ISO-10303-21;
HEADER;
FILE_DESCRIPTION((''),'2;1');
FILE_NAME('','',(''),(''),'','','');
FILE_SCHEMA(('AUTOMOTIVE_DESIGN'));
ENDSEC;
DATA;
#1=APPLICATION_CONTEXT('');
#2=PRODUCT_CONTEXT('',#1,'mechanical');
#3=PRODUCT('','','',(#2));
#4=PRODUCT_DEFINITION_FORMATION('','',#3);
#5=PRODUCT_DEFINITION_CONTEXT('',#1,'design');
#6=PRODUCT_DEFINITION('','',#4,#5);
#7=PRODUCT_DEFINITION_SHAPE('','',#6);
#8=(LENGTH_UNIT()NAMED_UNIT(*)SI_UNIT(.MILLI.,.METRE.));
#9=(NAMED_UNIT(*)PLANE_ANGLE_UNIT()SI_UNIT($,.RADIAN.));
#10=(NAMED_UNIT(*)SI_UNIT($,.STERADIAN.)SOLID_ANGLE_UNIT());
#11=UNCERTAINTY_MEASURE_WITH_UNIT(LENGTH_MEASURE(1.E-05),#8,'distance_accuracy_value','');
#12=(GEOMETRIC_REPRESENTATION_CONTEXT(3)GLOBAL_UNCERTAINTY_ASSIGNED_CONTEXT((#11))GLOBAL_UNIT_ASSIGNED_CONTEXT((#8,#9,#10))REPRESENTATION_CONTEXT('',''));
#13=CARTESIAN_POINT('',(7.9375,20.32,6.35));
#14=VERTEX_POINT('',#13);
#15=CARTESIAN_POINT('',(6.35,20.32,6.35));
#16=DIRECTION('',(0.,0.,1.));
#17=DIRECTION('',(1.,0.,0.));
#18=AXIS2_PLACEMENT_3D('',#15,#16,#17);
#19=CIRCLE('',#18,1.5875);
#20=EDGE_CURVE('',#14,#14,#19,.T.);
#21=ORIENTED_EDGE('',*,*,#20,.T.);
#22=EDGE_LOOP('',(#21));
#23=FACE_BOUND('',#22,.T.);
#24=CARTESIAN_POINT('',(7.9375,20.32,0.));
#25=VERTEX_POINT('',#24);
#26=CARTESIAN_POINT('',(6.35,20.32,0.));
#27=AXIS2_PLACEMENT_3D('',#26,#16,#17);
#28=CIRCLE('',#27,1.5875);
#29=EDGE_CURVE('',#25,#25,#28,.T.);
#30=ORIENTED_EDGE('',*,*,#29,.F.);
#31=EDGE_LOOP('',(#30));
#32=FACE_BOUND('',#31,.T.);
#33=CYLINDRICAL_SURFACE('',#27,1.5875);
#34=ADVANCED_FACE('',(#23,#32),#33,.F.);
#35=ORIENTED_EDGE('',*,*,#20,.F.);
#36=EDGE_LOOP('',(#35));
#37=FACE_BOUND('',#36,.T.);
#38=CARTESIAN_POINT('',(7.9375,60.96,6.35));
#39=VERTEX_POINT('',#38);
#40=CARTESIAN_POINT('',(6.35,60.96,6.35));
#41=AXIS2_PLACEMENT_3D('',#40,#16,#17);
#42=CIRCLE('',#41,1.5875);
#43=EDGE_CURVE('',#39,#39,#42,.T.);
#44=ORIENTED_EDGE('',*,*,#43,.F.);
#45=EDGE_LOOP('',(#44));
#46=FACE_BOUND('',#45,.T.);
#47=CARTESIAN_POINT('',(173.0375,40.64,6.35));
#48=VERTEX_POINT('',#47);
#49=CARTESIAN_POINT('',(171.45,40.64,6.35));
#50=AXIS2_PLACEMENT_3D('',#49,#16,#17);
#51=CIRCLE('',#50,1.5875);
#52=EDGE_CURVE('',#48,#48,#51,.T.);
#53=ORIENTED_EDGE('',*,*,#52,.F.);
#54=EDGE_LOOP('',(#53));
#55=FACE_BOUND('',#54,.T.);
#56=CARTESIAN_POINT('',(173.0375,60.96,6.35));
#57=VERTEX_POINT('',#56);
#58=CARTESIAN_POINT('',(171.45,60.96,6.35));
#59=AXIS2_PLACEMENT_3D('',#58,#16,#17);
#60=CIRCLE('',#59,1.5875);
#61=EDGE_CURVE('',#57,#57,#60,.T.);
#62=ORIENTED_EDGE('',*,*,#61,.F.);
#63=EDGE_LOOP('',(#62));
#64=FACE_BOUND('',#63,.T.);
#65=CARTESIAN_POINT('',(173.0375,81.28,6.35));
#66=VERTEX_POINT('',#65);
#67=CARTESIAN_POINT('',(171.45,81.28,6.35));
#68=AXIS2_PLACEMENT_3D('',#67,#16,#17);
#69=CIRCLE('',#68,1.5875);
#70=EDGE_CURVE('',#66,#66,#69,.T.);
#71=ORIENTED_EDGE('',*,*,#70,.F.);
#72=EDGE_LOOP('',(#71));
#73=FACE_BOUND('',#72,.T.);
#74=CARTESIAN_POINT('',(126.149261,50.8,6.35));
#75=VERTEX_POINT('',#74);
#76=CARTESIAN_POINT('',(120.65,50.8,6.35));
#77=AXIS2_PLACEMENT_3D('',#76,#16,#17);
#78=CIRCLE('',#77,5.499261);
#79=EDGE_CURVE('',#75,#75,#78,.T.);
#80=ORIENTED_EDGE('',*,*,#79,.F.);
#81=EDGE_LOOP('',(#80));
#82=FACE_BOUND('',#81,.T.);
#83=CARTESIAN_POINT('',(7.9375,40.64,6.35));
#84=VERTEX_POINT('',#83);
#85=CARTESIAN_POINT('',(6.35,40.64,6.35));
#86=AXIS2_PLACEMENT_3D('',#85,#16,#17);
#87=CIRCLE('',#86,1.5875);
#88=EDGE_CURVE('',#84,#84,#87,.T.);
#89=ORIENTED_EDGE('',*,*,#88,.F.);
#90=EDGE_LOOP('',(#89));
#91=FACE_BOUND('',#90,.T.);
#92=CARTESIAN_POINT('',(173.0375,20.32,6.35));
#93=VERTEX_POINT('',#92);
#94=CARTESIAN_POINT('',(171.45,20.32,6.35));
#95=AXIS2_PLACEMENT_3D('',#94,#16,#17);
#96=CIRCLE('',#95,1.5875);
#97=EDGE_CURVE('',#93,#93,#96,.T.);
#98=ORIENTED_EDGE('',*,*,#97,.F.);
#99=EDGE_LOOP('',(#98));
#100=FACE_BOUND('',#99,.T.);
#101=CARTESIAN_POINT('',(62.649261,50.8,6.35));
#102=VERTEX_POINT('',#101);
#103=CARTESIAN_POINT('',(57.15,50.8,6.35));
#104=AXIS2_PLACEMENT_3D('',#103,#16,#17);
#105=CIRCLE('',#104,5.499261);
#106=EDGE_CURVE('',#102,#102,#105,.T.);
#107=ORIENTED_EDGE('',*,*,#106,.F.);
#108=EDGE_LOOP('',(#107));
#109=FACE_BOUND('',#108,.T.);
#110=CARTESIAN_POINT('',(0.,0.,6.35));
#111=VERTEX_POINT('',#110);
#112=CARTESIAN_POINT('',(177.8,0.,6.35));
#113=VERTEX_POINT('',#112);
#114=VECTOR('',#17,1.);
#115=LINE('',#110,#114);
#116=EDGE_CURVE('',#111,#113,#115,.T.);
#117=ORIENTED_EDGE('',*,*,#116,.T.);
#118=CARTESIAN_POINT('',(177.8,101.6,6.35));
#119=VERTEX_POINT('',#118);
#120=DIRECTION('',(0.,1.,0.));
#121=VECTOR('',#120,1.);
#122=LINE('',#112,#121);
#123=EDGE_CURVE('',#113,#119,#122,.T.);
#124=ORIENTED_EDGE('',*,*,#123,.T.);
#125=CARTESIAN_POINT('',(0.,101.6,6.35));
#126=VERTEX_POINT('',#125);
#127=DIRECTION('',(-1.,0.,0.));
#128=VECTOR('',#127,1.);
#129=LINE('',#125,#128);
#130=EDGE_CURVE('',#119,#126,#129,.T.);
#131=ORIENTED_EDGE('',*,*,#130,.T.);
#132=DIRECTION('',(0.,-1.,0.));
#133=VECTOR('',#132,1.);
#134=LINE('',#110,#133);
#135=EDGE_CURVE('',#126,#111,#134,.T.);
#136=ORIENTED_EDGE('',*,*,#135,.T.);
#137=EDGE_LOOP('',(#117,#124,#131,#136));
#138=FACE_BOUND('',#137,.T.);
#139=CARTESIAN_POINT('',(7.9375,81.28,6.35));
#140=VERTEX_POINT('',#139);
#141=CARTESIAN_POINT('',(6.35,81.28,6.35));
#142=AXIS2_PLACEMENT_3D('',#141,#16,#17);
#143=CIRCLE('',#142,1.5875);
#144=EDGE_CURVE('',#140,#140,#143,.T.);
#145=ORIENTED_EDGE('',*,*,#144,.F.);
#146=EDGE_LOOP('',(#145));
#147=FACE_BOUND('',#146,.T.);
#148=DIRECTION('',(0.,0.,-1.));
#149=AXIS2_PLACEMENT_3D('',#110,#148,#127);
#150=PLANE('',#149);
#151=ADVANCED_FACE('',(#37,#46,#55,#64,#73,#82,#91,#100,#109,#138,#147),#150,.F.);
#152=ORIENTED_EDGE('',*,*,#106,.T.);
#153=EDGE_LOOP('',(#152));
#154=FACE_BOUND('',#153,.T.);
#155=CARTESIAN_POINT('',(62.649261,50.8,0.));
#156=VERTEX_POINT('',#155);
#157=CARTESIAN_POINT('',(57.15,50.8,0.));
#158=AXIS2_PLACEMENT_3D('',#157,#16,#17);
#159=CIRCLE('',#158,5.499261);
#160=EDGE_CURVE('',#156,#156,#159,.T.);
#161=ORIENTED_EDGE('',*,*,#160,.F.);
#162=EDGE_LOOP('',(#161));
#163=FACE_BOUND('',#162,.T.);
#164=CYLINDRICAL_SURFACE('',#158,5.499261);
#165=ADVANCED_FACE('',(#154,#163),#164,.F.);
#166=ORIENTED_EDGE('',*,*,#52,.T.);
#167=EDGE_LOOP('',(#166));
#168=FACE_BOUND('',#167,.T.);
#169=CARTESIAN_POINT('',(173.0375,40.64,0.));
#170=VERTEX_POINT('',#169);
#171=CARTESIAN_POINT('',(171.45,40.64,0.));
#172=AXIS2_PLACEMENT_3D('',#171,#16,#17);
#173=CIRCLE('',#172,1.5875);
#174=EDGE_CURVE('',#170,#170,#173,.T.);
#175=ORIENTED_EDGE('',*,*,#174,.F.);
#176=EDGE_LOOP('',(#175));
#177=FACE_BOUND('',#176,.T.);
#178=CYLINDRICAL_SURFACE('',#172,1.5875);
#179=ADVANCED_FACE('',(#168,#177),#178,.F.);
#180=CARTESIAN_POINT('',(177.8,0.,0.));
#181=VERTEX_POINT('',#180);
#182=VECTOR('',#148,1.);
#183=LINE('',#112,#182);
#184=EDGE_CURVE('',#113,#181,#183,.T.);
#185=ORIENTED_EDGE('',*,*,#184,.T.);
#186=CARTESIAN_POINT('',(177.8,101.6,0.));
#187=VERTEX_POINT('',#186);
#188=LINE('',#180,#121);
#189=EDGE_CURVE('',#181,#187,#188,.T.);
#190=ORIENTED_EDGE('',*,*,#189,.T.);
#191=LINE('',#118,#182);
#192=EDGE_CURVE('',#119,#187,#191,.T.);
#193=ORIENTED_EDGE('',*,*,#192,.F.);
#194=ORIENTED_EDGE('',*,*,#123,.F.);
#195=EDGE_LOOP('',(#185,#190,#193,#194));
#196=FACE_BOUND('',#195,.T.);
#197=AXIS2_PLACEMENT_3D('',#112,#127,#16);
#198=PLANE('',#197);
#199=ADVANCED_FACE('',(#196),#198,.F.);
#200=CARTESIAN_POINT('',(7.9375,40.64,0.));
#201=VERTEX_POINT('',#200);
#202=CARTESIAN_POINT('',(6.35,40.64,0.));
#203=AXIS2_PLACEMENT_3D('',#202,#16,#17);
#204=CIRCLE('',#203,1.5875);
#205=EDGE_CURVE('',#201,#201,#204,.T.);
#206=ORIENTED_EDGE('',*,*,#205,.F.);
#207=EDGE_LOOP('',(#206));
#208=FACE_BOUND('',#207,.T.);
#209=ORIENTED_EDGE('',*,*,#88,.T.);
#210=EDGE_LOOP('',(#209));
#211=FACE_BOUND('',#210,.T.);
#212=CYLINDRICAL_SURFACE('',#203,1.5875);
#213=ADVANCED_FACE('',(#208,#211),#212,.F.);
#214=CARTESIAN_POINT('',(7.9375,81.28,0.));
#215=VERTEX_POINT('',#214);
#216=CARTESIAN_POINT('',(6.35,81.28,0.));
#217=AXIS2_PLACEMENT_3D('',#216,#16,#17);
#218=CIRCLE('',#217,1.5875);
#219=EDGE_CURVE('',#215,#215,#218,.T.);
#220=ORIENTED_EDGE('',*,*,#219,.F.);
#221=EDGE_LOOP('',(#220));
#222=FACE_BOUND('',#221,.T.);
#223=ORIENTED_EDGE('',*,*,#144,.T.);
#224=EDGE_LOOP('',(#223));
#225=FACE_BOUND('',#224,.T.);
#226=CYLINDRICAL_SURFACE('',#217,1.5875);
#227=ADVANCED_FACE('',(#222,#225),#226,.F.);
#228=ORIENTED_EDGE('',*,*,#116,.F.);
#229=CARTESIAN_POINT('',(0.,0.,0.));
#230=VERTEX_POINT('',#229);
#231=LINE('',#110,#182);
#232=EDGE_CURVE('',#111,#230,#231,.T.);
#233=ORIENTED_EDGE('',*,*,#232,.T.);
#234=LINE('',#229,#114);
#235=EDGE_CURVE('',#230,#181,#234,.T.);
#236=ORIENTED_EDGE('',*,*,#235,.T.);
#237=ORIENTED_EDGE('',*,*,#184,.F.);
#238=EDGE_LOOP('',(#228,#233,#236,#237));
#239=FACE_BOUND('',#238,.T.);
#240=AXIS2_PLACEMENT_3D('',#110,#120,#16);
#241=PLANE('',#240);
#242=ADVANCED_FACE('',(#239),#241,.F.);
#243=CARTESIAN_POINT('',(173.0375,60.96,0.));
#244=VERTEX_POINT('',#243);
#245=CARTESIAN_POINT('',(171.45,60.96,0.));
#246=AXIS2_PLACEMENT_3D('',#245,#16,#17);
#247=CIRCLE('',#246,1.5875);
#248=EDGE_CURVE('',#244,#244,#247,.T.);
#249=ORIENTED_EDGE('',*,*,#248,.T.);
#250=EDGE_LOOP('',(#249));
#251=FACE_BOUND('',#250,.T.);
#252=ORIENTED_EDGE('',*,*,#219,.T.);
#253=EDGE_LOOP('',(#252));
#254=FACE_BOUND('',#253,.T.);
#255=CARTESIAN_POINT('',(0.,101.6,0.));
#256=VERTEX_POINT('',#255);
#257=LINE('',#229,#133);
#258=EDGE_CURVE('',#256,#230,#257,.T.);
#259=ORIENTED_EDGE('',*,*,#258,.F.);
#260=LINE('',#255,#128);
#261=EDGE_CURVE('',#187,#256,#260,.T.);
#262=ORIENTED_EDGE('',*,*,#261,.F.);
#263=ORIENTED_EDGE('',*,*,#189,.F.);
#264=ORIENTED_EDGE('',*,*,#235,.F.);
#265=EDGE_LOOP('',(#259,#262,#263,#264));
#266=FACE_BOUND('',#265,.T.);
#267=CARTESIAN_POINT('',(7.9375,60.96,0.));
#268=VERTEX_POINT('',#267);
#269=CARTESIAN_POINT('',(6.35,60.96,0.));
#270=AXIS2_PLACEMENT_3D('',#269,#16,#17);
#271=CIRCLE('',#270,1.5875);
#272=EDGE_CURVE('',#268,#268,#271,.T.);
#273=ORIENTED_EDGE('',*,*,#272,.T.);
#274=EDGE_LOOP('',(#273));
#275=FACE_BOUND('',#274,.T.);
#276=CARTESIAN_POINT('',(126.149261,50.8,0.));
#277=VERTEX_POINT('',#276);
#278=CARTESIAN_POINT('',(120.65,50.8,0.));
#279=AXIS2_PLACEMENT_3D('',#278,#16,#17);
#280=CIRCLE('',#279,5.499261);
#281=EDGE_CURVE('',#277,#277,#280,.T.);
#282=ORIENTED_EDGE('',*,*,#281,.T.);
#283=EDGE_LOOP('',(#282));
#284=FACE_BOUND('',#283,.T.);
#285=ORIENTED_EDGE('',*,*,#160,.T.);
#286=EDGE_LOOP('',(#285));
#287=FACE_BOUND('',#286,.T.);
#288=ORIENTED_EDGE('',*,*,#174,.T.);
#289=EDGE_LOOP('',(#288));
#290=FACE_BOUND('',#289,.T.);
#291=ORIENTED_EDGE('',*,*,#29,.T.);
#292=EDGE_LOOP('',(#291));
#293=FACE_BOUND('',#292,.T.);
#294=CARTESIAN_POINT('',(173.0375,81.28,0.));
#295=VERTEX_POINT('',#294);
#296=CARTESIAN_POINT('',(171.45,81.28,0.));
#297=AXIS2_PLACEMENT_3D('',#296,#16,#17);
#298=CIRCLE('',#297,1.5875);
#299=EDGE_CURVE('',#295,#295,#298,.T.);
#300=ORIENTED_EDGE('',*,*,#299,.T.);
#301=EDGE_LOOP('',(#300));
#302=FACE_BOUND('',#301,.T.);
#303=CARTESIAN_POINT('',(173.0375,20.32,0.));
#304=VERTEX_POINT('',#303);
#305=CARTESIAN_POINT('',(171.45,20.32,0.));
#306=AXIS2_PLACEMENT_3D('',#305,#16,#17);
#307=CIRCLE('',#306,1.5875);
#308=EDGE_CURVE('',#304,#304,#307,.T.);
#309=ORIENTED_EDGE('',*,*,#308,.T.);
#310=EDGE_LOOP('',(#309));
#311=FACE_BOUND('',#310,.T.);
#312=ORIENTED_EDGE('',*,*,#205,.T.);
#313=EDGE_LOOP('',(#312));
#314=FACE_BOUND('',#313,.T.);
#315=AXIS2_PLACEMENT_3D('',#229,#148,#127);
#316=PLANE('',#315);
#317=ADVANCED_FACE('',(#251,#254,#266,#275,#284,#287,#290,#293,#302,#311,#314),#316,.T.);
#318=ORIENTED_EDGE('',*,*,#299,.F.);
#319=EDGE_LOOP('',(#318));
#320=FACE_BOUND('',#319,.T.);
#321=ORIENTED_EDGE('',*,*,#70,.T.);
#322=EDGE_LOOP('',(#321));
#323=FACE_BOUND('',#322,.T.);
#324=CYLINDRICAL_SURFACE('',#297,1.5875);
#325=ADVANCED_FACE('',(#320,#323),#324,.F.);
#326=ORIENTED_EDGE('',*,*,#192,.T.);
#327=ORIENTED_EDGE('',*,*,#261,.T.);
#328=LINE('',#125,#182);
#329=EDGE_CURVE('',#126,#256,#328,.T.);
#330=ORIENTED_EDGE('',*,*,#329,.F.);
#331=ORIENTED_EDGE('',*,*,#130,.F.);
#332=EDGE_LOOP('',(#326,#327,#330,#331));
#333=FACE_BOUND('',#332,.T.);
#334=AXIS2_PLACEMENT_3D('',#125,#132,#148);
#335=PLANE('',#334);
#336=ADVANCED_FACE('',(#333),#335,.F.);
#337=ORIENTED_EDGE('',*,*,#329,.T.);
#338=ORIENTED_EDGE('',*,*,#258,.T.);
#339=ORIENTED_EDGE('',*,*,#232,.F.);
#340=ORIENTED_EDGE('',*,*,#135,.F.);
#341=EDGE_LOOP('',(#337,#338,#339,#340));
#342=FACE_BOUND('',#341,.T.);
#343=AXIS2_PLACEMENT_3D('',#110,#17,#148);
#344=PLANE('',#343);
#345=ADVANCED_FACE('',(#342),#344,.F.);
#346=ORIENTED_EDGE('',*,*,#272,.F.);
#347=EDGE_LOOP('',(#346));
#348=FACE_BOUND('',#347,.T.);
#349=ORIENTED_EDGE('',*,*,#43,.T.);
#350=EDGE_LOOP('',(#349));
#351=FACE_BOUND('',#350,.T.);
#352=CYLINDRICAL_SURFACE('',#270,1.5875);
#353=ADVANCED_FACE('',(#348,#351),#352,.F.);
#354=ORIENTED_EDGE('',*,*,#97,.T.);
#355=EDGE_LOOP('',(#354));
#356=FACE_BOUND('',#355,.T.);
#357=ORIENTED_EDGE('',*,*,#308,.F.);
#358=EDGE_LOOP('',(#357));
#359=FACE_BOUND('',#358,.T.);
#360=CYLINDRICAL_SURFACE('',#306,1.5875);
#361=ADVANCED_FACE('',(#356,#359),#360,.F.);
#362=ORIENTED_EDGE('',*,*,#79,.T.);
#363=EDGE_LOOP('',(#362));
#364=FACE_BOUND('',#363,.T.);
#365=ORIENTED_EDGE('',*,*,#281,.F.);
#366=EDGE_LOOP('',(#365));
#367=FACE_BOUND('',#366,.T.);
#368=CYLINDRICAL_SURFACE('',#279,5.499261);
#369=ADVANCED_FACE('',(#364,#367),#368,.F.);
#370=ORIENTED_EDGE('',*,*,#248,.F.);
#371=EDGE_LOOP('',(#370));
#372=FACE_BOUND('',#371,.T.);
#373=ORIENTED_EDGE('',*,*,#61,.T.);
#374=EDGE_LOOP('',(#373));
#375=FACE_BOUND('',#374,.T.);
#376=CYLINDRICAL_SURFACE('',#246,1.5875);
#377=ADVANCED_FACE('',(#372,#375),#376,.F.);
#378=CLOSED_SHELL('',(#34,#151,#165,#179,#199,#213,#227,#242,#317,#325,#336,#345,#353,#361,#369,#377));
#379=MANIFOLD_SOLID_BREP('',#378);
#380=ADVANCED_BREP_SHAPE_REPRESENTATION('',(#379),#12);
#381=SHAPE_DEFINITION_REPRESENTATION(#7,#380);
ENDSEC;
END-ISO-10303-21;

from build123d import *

# Parameters (mm, degrees)
SKETCH1_W           = 177.8
SKETCH1_H           = 101.6
BOSS_EXTRUDE1_DEPTH = 6.35
SKETCH2_R           = 1.5875
CUT_EXTRUDE1_DEPTH  = 6.35
SKETCH5_R           = 5.499261314
CUT_EXTRUDE3_DEPTH  = 6.35


with BuildPart() as part:
    # Sketch1 → Boss-Extrude1 (new body)
    with BuildSketch(Plane.XY):
        with Locations((88.9, 50.8)):
            Rectangle(SKETCH1_W, SKETCH1_H)
    extrude(amount=BOSS_EXTRUDE1_DEPTH)

    # Sketch2 → Cut-Extrude1 (cut)
    with BuildSketch(Plane.XY.offset(6.35)):
        with Locations((6.35, 81.28)):
            Circle(SKETCH2_R)
        with Locations((6.35, 60.96)):
            Circle(SKETCH2_R)
        with Locations((6.35, 40.64)):
            Circle(SKETCH2_R)
        with Locations((6.35, 20.32)):
            Circle(SKETCH2_R)
        with Locations((171.45, 20.32)):
            Circle(SKETCH2_R)
        with Locations((171.45, 40.64)):
            Circle(SKETCH2_R)
        with Locations((171.45, 60.96)):
            Circle(SKETCH2_R)
        with Locations((171.45, 81.28)):
            Circle(SKETCH2_R)
    extrude(amount=-CUT_EXTRUDE1_DEPTH, mode=Mode.SUBTRACT)

    # Sketch5 → Cut-Extrude3 (cut)
    with BuildSketch(Plane.XY.offset(6.35)):
        with Locations((120.65, 50.8)):
            Circle(SKETCH5_R)
        with Locations((57.15, 50.8)):
            Circle(SKETCH5_R)
    extrude(amount=-CUT_EXTRUDE3_DEPTH, mode=Mode.SUBTRACT)


solid = part.part
